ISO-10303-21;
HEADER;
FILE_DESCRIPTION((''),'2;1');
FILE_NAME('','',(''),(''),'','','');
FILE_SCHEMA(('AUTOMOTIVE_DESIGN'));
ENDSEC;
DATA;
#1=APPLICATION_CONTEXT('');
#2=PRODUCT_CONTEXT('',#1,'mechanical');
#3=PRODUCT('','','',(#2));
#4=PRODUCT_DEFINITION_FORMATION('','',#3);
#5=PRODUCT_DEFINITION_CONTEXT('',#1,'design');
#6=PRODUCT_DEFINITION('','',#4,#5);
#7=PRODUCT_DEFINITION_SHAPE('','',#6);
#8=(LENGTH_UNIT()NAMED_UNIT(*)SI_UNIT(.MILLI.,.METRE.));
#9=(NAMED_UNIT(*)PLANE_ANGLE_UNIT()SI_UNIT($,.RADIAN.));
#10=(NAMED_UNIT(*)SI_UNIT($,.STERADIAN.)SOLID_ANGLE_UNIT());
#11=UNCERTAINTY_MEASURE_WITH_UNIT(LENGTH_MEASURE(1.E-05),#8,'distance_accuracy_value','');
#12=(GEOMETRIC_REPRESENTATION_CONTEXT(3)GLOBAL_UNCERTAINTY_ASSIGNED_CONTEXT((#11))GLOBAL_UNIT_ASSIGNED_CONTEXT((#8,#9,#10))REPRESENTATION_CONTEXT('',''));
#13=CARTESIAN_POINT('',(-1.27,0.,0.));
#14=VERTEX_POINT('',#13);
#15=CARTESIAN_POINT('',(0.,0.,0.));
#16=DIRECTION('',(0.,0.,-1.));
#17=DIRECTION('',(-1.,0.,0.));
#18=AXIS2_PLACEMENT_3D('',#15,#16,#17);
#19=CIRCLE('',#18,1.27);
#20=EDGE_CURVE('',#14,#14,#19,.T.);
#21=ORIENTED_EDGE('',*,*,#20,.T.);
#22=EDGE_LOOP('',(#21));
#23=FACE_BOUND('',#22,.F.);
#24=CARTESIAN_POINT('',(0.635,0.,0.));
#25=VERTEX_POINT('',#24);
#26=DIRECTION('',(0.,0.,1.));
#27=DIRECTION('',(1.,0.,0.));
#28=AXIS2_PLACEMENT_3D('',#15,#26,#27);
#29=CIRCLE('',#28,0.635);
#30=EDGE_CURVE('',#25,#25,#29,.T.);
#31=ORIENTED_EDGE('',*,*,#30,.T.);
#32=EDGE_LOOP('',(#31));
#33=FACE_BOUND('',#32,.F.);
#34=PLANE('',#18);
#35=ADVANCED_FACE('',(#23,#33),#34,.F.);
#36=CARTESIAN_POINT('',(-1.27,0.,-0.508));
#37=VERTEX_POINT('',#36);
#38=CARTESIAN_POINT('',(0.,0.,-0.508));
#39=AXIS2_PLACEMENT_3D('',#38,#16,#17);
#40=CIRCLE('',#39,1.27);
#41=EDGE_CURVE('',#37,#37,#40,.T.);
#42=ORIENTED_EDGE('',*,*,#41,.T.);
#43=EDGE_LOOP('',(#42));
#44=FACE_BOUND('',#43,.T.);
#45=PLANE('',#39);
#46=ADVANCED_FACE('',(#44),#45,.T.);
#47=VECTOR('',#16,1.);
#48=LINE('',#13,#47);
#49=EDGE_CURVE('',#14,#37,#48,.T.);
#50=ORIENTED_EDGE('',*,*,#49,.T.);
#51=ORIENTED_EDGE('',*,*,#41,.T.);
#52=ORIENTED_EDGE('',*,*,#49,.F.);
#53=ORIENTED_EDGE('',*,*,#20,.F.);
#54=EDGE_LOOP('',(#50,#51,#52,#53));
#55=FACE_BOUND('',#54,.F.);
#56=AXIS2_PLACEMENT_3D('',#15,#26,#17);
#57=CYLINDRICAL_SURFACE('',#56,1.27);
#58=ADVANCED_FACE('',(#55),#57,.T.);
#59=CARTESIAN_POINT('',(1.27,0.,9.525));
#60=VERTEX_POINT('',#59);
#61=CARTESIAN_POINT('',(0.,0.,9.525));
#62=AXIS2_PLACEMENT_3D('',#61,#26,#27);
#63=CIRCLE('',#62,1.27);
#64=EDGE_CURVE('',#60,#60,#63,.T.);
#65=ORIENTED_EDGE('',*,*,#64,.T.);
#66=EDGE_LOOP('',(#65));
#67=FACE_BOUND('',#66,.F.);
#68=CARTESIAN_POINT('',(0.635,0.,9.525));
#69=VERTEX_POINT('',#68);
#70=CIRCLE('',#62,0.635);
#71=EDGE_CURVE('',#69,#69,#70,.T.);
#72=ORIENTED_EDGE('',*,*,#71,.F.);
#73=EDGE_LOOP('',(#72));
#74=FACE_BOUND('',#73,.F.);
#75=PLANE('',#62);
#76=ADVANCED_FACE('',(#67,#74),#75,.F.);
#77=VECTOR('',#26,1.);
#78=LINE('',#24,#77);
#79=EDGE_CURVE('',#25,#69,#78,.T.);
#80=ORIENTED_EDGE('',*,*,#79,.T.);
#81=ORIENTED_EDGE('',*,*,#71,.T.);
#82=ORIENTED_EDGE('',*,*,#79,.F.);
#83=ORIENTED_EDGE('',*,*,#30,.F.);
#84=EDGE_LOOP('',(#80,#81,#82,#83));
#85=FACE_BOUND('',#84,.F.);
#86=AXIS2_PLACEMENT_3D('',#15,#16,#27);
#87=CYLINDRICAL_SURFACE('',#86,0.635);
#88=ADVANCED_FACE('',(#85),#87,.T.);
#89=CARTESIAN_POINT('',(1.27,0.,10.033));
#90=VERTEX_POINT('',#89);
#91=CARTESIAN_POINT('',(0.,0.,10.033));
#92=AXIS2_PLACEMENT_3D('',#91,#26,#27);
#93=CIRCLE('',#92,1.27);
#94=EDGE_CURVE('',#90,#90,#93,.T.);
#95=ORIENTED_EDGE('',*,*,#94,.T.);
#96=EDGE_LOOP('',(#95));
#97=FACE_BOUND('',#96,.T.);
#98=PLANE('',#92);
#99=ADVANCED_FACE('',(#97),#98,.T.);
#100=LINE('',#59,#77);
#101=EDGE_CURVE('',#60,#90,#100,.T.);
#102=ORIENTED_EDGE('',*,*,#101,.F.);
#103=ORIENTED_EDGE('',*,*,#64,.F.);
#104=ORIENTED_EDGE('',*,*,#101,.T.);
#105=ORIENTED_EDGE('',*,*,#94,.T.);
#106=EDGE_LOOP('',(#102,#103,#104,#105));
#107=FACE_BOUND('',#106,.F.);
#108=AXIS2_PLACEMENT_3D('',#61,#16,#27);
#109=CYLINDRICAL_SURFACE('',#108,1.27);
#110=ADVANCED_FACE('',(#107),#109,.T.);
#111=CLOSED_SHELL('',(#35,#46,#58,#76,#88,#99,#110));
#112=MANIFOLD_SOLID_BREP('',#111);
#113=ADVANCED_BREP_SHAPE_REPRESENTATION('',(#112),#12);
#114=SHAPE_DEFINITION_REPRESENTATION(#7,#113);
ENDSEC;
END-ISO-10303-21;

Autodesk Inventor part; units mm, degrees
ref_plane "YZ Plane" through (0, 0, 0) normal (1, 0, 0) x (0, 1, 0)
ref_plane "XZ Plane" through (0, 0, 0) normal (0, 1, 0) x (-1, 0, 0)
ref_plane "XY Plane" through (0, 0, 0) normal (0, 0, 1) x (1, 0, 0)
sketch "Sketch1" plane through (0, 0, 0) normal (0, 0, 1) x (1, 0, 0)
  circle A0 centre (0, 0) radius 0.635
  dimension "d0" = 1.27
extrude "Extrusion1" add sketch "Sketch1" along normal blind 9.525
sketch "Sketch2" plane through (0, 0, 9.525) normal (0, 0, 1) x (1, 0, 0)
  circle A0 centre (0, 0) radius 1.27
  dimension "d3" = 2.54
extrude "Extrusion2" add sketch "Sketch2" along normal blind 0.508
sketch "Sketch3" plane through (0, 0, 0) normal (0, 0, -1) x (-1, 0, 0)
  circle A0 centre (0, 0) radius 1.27
extrude "Extrusion3" add sketch "Sketch3" along normal blind 0.508
properties part number "HingePart3MK2"
